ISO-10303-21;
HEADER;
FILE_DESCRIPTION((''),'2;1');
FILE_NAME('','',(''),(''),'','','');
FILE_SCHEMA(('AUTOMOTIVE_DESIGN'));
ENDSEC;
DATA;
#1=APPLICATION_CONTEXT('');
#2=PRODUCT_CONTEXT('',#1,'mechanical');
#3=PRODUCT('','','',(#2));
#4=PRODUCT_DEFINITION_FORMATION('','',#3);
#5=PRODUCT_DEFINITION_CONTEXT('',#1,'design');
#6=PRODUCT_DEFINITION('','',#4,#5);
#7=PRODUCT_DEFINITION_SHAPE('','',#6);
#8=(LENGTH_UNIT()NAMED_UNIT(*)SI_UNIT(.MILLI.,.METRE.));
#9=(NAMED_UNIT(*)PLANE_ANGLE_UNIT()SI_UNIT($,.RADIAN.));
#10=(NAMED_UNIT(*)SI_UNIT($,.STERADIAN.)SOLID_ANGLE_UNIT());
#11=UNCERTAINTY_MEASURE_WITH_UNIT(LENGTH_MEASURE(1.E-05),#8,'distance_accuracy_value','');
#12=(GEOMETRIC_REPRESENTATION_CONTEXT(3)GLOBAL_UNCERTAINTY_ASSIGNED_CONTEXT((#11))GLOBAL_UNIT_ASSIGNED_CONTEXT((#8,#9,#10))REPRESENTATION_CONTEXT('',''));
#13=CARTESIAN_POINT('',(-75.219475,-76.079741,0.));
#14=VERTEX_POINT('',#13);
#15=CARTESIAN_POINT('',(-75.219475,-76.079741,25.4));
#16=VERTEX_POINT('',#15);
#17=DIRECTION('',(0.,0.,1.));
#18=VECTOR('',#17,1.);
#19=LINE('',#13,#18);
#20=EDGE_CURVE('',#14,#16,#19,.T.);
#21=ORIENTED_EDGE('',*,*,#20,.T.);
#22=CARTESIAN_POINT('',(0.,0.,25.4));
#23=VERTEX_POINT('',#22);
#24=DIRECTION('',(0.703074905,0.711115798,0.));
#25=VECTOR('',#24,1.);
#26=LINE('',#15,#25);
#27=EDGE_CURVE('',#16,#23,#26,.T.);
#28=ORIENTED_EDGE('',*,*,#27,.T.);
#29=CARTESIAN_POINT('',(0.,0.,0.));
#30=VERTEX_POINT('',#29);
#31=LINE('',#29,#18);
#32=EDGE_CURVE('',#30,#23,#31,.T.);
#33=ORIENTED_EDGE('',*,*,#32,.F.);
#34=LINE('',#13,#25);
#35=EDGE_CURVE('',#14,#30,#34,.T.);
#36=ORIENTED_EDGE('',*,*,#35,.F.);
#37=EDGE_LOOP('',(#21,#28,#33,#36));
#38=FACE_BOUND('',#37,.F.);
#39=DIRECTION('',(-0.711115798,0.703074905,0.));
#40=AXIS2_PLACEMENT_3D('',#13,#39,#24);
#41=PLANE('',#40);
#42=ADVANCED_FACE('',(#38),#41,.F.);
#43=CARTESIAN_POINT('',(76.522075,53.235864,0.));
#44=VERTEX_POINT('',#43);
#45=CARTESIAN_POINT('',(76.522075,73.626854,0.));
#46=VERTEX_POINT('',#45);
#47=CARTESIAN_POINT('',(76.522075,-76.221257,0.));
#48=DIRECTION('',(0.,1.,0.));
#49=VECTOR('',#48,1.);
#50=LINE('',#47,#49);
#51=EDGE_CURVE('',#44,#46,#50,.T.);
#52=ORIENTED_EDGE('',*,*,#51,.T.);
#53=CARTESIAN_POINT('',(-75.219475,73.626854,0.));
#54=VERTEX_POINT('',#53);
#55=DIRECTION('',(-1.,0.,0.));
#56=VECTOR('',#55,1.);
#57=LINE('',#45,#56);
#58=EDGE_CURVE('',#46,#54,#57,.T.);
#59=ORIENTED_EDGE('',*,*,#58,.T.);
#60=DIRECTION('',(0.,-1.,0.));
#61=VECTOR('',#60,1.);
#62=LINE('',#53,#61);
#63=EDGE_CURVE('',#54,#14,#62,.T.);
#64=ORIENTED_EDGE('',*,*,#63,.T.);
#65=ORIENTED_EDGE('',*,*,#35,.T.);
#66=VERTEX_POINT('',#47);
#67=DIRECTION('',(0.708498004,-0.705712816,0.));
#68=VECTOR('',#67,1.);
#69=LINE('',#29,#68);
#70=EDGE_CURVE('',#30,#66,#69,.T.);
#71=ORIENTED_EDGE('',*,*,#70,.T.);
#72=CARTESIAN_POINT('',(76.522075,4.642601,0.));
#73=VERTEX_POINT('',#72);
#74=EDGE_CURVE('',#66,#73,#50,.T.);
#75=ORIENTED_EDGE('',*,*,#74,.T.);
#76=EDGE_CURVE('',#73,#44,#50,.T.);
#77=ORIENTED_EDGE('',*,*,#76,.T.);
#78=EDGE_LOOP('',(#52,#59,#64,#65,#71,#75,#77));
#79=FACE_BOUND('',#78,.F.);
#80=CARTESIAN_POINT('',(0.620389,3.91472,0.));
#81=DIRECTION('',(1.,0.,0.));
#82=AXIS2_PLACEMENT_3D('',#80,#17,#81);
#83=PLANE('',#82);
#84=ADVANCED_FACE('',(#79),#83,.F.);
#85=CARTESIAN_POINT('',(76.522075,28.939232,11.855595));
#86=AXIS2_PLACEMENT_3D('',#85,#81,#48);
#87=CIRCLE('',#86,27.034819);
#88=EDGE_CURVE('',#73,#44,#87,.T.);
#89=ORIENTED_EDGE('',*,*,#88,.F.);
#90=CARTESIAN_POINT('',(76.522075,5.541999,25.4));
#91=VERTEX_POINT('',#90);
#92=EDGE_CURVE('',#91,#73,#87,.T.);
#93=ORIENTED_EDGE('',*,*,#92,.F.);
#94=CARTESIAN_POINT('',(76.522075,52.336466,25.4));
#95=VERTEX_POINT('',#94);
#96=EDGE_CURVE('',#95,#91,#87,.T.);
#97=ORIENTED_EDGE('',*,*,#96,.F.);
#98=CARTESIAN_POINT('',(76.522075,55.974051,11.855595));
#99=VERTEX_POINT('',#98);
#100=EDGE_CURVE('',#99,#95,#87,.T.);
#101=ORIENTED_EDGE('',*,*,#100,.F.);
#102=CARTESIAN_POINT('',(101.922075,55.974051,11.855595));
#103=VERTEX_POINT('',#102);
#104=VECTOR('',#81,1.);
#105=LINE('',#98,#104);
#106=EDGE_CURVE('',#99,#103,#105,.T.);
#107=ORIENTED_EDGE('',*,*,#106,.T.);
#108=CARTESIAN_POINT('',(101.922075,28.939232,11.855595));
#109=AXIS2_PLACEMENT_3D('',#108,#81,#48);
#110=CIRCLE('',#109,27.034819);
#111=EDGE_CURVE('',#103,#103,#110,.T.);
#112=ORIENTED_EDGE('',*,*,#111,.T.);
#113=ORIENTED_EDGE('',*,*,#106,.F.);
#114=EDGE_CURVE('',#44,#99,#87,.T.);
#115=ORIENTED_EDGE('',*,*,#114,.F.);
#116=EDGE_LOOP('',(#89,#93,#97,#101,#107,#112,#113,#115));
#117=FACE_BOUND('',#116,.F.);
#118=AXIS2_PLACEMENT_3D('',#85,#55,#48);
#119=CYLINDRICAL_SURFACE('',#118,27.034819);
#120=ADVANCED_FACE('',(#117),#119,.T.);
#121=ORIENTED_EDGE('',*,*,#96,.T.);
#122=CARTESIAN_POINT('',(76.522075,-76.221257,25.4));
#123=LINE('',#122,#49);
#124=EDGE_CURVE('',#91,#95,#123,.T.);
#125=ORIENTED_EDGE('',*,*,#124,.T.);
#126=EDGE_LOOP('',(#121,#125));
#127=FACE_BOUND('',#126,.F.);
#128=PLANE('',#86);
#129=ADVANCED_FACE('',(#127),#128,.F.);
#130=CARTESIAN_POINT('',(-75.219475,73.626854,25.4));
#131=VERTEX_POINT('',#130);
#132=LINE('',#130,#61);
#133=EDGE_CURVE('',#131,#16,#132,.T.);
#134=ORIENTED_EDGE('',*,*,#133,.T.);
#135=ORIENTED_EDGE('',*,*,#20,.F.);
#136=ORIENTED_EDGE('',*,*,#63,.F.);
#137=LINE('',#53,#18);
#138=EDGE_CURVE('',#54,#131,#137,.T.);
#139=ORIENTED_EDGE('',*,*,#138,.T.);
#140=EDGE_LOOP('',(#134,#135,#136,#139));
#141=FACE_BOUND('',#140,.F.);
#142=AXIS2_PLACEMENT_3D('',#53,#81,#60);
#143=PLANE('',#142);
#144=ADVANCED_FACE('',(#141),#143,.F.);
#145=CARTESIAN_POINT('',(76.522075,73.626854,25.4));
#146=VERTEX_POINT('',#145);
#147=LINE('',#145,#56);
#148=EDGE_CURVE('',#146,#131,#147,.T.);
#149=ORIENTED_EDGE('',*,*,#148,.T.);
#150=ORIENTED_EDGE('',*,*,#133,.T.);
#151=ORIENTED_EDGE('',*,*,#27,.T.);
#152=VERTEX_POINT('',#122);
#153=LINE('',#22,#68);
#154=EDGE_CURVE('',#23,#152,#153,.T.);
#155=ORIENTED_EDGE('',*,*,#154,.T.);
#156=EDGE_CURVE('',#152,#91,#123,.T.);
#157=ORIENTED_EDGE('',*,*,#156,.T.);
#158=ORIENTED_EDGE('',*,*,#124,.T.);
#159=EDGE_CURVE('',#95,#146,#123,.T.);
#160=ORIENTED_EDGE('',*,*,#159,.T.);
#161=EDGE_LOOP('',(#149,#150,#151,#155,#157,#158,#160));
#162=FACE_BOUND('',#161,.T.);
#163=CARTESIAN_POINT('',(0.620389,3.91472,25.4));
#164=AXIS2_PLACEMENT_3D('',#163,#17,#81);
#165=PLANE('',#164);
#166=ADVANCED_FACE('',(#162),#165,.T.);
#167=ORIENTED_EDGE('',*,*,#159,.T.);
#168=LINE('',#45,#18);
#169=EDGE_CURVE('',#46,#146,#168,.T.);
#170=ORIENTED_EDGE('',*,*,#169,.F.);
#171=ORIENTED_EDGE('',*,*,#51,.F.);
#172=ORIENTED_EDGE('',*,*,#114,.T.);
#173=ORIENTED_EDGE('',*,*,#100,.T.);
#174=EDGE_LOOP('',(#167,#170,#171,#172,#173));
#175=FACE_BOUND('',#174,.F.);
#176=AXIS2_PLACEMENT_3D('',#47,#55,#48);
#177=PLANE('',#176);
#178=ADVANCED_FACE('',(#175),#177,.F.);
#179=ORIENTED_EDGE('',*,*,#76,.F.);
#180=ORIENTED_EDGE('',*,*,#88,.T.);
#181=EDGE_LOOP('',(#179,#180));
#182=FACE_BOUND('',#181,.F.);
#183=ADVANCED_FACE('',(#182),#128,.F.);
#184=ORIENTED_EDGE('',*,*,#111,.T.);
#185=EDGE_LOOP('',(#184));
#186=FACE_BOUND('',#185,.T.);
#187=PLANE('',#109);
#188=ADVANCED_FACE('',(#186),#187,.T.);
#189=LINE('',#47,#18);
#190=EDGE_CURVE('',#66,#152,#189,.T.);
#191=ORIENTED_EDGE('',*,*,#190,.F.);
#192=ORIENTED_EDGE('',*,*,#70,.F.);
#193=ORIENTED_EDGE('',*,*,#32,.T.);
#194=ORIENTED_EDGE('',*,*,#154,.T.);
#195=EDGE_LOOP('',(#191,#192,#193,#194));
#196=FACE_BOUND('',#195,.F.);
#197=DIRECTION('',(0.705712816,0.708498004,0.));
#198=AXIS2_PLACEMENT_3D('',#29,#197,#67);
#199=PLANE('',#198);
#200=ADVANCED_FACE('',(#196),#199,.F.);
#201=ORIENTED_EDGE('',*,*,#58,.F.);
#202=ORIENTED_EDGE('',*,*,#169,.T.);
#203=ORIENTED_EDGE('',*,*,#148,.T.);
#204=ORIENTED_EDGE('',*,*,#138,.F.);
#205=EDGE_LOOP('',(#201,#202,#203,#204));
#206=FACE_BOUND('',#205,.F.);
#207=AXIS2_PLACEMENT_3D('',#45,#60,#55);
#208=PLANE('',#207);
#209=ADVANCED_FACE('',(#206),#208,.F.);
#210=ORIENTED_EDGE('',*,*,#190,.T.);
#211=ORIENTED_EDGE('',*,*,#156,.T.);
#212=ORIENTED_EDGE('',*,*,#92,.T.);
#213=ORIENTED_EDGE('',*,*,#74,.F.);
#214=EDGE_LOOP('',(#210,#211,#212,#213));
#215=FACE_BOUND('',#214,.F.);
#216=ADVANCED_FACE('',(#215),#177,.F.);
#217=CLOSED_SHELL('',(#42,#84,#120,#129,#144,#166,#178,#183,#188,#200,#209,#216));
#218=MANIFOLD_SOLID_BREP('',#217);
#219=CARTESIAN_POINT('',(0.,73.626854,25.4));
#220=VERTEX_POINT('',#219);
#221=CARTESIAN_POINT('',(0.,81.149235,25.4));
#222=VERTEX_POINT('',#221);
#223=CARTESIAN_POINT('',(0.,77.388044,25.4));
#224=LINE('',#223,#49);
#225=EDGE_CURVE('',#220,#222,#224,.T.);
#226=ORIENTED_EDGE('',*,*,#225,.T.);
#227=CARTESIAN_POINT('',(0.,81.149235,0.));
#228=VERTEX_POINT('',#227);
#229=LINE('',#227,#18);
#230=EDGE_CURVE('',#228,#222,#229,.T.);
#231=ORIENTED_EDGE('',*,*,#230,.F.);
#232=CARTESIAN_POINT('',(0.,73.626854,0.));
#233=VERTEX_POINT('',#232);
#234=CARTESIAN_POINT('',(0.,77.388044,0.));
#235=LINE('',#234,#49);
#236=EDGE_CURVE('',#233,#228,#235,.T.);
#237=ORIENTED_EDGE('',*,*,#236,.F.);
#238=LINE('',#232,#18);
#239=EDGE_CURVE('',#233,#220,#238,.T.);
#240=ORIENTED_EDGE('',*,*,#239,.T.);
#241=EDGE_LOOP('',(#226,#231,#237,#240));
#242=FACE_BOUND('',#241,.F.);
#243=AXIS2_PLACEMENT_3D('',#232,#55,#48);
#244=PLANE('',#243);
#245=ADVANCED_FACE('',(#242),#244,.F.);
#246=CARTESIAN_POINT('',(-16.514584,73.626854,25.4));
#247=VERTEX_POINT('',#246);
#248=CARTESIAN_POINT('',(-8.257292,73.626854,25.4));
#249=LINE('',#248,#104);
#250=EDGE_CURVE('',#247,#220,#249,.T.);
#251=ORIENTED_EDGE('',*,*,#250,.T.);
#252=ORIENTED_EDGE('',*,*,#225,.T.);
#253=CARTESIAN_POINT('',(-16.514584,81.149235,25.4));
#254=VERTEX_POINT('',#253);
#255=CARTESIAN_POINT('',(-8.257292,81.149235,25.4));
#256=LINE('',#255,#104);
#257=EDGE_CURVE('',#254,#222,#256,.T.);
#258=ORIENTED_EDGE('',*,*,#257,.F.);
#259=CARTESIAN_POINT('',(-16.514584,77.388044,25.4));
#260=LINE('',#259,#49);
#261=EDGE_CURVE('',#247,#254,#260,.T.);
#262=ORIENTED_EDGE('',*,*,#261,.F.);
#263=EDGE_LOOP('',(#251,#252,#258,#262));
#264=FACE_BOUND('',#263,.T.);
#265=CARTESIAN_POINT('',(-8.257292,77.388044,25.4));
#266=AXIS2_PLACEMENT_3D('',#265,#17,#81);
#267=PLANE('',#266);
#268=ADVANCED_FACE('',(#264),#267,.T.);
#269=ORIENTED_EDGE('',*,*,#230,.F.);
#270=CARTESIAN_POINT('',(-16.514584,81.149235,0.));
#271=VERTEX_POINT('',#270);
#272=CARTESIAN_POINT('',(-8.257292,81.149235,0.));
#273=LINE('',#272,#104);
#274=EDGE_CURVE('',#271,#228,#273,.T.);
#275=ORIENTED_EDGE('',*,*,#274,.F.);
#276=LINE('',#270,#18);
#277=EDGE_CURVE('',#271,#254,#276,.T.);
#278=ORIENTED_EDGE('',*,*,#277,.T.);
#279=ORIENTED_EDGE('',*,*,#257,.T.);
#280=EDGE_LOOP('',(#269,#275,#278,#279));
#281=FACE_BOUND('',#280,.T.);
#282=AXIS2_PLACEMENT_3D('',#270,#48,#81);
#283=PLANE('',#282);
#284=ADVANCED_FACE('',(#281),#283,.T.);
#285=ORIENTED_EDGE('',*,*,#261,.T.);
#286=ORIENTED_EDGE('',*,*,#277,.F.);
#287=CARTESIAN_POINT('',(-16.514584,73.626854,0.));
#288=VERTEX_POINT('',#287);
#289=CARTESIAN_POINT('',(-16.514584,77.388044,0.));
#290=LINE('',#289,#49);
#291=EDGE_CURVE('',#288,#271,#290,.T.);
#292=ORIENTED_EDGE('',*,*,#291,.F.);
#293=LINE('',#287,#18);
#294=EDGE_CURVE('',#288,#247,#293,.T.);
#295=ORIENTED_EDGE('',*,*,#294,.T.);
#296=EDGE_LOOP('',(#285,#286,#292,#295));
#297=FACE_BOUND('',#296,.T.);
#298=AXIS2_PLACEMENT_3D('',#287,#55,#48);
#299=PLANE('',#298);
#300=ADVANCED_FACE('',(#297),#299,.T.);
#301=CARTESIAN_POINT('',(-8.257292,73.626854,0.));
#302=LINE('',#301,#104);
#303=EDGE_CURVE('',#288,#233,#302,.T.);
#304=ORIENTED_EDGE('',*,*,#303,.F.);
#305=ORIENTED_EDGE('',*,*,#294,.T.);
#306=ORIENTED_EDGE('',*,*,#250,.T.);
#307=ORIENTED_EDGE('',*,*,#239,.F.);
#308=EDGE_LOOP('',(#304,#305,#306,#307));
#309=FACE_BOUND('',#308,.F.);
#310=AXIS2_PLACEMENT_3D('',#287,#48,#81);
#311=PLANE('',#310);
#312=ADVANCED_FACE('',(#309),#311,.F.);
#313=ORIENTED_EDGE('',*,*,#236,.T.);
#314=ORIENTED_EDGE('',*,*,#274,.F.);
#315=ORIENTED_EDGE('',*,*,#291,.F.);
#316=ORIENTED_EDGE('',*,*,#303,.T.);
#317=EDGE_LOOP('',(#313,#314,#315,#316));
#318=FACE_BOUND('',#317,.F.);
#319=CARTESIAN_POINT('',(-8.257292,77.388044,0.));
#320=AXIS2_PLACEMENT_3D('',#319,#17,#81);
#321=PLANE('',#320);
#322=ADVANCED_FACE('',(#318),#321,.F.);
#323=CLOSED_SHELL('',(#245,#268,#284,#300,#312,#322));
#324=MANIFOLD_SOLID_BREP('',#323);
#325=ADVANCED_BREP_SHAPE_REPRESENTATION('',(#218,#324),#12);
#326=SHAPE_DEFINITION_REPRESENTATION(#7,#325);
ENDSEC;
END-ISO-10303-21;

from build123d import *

# Parameters (mm, degrees)
F3_DEPTH = 25.4
F2_W     = 16.5145844221
F2_H     = 7.5223818421
F4_R     = 27.0348190112
F5_DEPTH = 25.4


with BuildPart() as f3:
    # F0 (on Top) → F3 (new body)
    with BuildSketch(Plane.XY):
        Polygon((-75.2194747329, -76.0797411203), (0, 0), (76.5220746398, -76.2212574482), (76.5220746398, 73.6268535256), (-75.2194747329, 73.6268535256), align=None)
    extrude(amount=F3_DEPTH)

    # F4 (on face) → F5 (join)
    with BuildSketch(Plane.YZ.offset(76.5220746398)):
        with Locations((28.9392322302, 11.8555948138)):
            Circle(F4_R)
    extrude(amount=F5_DEPTH)


with BuildPart() as f3b:
    # F2 (on face) → F3, piece 2 (new body)
    with BuildSketch(Plane.XY):
        with Locations((-8.2572922111, 77.3880444467)):
            Rectangle(F2_W, F2_H)
    extrude(amount=F3_DEPTH)


solid = Compound([f3.part, f3b.part])
